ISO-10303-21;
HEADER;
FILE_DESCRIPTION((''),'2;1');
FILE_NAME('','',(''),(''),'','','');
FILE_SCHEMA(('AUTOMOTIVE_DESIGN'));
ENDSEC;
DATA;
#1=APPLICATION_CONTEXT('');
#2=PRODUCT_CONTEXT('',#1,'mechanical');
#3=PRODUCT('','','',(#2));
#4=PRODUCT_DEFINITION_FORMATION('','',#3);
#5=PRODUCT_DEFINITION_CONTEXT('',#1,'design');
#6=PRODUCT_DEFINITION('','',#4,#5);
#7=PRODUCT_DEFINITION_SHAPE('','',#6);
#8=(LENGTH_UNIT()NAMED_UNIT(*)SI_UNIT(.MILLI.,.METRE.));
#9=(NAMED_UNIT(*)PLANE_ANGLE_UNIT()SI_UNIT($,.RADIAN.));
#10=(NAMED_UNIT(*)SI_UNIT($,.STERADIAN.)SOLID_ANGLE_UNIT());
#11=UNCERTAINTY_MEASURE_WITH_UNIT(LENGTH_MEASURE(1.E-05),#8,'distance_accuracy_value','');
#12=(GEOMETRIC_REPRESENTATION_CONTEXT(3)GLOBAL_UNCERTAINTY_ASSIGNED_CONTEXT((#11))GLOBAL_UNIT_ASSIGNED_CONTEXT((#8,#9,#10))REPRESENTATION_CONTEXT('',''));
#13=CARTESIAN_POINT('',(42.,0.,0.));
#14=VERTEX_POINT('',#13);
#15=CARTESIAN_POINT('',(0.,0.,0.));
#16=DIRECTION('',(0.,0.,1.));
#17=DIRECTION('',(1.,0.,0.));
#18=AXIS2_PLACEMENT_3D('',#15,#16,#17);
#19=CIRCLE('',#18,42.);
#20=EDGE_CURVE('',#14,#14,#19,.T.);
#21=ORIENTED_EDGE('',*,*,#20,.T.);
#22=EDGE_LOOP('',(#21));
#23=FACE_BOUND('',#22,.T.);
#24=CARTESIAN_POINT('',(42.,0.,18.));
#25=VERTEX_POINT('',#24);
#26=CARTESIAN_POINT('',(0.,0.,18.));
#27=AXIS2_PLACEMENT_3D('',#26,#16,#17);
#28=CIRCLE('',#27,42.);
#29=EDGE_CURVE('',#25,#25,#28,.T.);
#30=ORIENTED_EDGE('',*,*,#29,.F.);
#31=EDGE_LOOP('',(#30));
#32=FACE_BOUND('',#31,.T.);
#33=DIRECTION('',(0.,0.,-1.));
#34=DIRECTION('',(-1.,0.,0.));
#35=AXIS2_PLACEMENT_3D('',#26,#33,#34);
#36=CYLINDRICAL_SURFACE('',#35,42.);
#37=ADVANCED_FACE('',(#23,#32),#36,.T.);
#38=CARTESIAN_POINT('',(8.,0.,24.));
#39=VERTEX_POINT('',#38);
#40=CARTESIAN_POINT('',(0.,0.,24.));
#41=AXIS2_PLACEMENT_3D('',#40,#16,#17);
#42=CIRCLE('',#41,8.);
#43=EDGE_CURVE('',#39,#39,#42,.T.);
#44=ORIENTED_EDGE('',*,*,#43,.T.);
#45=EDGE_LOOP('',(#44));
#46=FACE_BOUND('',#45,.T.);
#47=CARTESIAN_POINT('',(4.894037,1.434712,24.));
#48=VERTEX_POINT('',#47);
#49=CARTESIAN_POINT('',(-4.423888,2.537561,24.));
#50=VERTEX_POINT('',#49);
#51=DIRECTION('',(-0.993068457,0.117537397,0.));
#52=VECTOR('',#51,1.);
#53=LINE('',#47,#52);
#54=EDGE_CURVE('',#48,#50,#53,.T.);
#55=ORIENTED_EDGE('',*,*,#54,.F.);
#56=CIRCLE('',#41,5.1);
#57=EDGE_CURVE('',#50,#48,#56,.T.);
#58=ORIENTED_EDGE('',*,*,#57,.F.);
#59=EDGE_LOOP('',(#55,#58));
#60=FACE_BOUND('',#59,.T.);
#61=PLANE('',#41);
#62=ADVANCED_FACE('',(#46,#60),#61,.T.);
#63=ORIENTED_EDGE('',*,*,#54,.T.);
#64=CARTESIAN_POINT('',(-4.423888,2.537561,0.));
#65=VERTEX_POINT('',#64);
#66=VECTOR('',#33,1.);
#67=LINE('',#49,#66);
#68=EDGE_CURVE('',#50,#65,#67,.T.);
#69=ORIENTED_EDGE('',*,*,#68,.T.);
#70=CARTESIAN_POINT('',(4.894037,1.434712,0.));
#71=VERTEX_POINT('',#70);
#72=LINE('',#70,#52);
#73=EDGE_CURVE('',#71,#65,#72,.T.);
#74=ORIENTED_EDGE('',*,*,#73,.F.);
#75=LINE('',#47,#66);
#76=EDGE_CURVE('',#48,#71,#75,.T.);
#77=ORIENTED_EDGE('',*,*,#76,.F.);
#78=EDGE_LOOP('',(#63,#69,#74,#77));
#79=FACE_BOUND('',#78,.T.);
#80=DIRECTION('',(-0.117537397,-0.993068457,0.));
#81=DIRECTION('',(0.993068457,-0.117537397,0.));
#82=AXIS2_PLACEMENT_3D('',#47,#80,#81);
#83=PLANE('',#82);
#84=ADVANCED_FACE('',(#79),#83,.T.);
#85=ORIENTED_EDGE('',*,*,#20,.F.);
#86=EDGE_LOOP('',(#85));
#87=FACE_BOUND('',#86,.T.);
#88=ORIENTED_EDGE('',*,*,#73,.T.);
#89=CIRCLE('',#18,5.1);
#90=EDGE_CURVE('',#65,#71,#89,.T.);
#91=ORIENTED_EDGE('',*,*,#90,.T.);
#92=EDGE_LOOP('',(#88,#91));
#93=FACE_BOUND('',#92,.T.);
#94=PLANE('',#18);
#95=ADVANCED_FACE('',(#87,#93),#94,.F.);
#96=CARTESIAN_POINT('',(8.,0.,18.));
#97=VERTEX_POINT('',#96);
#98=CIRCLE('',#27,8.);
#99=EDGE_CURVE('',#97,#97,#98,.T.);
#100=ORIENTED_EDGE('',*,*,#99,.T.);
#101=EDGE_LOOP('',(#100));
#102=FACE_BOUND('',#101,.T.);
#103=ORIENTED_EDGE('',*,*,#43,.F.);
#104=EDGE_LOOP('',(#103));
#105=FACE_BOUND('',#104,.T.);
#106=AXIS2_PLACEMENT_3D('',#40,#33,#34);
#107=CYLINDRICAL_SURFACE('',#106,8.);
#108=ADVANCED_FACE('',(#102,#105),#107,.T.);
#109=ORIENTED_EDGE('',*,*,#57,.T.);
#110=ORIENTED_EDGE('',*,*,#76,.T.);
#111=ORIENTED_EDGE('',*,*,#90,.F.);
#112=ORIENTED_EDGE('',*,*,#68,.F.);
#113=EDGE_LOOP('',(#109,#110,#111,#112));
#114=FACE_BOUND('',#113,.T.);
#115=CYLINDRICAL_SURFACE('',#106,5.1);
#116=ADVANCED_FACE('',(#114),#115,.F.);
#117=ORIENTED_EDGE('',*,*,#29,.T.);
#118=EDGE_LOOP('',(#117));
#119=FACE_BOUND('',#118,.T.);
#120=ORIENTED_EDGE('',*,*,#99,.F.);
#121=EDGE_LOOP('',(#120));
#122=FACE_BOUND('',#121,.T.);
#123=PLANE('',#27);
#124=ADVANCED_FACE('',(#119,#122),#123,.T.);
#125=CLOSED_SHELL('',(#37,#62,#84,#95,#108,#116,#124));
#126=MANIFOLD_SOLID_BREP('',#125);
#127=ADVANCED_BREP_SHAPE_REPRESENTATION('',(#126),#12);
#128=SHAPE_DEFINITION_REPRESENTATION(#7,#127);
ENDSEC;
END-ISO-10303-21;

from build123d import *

# Parameters (mm, degrees)
SKETCH_1_R      = 8
EXTRUDE_1_DEPTH = 24
SKETCH_2_R      = 42
SKETCH_2_R_2    = 8
EXTRUDE_2_DEPTH = 18
EXTRUDE_3_DEPTH = 18


with BuildPart() as part:
    # 草图1 → 凸台-拉伸1 (new body)
    with BuildSketch(Plane.XY):
        Circle(SKETCH_1_R)
        with BuildLine():
            Line((4.89403723, 1.434712371), (-4.42388764, 2.537561456))
            ThreePointArc((-4.42388764, 2.537561456), (-0.599440727, -5.06464913), (4.89403723, 1.434712371))
        make_face(mode=Mode.SUBTRACT)
    extrude(amount=EXTRUDE_1_DEPTH)

    # 草图2 → 凸台-拉伸2 (add)
    with BuildSketch(Plane.XY):
        Circle(SKETCH_2_R)
        Circle(SKETCH_2_R_2, mode=Mode.SUBTRACT)
    extrude(amount=EXTRUDE_2_DEPTH)

    # 草图3 → 凸台-拉伸3 (add)
    with BuildSketch(Plane.XY):
        with BuildLine():
            Line((37.532556284, 2.035291149), (41.987004924, 1.044709313))
            ThreePointArc((41.987004924, 1.044709313), (42, 0), (41.987004924, -1.044709313))
            Line((41.987004924, -1.044709313), (37.532556284, -2.035291149))
            ThreePointArc((37.532556284, -2.035291149), (37.5877, 0), (37.532556284, 2.035291149))
        make_face()
    extrude(amount=EXTRUDE_3_DEPTH)


solid = part.part
